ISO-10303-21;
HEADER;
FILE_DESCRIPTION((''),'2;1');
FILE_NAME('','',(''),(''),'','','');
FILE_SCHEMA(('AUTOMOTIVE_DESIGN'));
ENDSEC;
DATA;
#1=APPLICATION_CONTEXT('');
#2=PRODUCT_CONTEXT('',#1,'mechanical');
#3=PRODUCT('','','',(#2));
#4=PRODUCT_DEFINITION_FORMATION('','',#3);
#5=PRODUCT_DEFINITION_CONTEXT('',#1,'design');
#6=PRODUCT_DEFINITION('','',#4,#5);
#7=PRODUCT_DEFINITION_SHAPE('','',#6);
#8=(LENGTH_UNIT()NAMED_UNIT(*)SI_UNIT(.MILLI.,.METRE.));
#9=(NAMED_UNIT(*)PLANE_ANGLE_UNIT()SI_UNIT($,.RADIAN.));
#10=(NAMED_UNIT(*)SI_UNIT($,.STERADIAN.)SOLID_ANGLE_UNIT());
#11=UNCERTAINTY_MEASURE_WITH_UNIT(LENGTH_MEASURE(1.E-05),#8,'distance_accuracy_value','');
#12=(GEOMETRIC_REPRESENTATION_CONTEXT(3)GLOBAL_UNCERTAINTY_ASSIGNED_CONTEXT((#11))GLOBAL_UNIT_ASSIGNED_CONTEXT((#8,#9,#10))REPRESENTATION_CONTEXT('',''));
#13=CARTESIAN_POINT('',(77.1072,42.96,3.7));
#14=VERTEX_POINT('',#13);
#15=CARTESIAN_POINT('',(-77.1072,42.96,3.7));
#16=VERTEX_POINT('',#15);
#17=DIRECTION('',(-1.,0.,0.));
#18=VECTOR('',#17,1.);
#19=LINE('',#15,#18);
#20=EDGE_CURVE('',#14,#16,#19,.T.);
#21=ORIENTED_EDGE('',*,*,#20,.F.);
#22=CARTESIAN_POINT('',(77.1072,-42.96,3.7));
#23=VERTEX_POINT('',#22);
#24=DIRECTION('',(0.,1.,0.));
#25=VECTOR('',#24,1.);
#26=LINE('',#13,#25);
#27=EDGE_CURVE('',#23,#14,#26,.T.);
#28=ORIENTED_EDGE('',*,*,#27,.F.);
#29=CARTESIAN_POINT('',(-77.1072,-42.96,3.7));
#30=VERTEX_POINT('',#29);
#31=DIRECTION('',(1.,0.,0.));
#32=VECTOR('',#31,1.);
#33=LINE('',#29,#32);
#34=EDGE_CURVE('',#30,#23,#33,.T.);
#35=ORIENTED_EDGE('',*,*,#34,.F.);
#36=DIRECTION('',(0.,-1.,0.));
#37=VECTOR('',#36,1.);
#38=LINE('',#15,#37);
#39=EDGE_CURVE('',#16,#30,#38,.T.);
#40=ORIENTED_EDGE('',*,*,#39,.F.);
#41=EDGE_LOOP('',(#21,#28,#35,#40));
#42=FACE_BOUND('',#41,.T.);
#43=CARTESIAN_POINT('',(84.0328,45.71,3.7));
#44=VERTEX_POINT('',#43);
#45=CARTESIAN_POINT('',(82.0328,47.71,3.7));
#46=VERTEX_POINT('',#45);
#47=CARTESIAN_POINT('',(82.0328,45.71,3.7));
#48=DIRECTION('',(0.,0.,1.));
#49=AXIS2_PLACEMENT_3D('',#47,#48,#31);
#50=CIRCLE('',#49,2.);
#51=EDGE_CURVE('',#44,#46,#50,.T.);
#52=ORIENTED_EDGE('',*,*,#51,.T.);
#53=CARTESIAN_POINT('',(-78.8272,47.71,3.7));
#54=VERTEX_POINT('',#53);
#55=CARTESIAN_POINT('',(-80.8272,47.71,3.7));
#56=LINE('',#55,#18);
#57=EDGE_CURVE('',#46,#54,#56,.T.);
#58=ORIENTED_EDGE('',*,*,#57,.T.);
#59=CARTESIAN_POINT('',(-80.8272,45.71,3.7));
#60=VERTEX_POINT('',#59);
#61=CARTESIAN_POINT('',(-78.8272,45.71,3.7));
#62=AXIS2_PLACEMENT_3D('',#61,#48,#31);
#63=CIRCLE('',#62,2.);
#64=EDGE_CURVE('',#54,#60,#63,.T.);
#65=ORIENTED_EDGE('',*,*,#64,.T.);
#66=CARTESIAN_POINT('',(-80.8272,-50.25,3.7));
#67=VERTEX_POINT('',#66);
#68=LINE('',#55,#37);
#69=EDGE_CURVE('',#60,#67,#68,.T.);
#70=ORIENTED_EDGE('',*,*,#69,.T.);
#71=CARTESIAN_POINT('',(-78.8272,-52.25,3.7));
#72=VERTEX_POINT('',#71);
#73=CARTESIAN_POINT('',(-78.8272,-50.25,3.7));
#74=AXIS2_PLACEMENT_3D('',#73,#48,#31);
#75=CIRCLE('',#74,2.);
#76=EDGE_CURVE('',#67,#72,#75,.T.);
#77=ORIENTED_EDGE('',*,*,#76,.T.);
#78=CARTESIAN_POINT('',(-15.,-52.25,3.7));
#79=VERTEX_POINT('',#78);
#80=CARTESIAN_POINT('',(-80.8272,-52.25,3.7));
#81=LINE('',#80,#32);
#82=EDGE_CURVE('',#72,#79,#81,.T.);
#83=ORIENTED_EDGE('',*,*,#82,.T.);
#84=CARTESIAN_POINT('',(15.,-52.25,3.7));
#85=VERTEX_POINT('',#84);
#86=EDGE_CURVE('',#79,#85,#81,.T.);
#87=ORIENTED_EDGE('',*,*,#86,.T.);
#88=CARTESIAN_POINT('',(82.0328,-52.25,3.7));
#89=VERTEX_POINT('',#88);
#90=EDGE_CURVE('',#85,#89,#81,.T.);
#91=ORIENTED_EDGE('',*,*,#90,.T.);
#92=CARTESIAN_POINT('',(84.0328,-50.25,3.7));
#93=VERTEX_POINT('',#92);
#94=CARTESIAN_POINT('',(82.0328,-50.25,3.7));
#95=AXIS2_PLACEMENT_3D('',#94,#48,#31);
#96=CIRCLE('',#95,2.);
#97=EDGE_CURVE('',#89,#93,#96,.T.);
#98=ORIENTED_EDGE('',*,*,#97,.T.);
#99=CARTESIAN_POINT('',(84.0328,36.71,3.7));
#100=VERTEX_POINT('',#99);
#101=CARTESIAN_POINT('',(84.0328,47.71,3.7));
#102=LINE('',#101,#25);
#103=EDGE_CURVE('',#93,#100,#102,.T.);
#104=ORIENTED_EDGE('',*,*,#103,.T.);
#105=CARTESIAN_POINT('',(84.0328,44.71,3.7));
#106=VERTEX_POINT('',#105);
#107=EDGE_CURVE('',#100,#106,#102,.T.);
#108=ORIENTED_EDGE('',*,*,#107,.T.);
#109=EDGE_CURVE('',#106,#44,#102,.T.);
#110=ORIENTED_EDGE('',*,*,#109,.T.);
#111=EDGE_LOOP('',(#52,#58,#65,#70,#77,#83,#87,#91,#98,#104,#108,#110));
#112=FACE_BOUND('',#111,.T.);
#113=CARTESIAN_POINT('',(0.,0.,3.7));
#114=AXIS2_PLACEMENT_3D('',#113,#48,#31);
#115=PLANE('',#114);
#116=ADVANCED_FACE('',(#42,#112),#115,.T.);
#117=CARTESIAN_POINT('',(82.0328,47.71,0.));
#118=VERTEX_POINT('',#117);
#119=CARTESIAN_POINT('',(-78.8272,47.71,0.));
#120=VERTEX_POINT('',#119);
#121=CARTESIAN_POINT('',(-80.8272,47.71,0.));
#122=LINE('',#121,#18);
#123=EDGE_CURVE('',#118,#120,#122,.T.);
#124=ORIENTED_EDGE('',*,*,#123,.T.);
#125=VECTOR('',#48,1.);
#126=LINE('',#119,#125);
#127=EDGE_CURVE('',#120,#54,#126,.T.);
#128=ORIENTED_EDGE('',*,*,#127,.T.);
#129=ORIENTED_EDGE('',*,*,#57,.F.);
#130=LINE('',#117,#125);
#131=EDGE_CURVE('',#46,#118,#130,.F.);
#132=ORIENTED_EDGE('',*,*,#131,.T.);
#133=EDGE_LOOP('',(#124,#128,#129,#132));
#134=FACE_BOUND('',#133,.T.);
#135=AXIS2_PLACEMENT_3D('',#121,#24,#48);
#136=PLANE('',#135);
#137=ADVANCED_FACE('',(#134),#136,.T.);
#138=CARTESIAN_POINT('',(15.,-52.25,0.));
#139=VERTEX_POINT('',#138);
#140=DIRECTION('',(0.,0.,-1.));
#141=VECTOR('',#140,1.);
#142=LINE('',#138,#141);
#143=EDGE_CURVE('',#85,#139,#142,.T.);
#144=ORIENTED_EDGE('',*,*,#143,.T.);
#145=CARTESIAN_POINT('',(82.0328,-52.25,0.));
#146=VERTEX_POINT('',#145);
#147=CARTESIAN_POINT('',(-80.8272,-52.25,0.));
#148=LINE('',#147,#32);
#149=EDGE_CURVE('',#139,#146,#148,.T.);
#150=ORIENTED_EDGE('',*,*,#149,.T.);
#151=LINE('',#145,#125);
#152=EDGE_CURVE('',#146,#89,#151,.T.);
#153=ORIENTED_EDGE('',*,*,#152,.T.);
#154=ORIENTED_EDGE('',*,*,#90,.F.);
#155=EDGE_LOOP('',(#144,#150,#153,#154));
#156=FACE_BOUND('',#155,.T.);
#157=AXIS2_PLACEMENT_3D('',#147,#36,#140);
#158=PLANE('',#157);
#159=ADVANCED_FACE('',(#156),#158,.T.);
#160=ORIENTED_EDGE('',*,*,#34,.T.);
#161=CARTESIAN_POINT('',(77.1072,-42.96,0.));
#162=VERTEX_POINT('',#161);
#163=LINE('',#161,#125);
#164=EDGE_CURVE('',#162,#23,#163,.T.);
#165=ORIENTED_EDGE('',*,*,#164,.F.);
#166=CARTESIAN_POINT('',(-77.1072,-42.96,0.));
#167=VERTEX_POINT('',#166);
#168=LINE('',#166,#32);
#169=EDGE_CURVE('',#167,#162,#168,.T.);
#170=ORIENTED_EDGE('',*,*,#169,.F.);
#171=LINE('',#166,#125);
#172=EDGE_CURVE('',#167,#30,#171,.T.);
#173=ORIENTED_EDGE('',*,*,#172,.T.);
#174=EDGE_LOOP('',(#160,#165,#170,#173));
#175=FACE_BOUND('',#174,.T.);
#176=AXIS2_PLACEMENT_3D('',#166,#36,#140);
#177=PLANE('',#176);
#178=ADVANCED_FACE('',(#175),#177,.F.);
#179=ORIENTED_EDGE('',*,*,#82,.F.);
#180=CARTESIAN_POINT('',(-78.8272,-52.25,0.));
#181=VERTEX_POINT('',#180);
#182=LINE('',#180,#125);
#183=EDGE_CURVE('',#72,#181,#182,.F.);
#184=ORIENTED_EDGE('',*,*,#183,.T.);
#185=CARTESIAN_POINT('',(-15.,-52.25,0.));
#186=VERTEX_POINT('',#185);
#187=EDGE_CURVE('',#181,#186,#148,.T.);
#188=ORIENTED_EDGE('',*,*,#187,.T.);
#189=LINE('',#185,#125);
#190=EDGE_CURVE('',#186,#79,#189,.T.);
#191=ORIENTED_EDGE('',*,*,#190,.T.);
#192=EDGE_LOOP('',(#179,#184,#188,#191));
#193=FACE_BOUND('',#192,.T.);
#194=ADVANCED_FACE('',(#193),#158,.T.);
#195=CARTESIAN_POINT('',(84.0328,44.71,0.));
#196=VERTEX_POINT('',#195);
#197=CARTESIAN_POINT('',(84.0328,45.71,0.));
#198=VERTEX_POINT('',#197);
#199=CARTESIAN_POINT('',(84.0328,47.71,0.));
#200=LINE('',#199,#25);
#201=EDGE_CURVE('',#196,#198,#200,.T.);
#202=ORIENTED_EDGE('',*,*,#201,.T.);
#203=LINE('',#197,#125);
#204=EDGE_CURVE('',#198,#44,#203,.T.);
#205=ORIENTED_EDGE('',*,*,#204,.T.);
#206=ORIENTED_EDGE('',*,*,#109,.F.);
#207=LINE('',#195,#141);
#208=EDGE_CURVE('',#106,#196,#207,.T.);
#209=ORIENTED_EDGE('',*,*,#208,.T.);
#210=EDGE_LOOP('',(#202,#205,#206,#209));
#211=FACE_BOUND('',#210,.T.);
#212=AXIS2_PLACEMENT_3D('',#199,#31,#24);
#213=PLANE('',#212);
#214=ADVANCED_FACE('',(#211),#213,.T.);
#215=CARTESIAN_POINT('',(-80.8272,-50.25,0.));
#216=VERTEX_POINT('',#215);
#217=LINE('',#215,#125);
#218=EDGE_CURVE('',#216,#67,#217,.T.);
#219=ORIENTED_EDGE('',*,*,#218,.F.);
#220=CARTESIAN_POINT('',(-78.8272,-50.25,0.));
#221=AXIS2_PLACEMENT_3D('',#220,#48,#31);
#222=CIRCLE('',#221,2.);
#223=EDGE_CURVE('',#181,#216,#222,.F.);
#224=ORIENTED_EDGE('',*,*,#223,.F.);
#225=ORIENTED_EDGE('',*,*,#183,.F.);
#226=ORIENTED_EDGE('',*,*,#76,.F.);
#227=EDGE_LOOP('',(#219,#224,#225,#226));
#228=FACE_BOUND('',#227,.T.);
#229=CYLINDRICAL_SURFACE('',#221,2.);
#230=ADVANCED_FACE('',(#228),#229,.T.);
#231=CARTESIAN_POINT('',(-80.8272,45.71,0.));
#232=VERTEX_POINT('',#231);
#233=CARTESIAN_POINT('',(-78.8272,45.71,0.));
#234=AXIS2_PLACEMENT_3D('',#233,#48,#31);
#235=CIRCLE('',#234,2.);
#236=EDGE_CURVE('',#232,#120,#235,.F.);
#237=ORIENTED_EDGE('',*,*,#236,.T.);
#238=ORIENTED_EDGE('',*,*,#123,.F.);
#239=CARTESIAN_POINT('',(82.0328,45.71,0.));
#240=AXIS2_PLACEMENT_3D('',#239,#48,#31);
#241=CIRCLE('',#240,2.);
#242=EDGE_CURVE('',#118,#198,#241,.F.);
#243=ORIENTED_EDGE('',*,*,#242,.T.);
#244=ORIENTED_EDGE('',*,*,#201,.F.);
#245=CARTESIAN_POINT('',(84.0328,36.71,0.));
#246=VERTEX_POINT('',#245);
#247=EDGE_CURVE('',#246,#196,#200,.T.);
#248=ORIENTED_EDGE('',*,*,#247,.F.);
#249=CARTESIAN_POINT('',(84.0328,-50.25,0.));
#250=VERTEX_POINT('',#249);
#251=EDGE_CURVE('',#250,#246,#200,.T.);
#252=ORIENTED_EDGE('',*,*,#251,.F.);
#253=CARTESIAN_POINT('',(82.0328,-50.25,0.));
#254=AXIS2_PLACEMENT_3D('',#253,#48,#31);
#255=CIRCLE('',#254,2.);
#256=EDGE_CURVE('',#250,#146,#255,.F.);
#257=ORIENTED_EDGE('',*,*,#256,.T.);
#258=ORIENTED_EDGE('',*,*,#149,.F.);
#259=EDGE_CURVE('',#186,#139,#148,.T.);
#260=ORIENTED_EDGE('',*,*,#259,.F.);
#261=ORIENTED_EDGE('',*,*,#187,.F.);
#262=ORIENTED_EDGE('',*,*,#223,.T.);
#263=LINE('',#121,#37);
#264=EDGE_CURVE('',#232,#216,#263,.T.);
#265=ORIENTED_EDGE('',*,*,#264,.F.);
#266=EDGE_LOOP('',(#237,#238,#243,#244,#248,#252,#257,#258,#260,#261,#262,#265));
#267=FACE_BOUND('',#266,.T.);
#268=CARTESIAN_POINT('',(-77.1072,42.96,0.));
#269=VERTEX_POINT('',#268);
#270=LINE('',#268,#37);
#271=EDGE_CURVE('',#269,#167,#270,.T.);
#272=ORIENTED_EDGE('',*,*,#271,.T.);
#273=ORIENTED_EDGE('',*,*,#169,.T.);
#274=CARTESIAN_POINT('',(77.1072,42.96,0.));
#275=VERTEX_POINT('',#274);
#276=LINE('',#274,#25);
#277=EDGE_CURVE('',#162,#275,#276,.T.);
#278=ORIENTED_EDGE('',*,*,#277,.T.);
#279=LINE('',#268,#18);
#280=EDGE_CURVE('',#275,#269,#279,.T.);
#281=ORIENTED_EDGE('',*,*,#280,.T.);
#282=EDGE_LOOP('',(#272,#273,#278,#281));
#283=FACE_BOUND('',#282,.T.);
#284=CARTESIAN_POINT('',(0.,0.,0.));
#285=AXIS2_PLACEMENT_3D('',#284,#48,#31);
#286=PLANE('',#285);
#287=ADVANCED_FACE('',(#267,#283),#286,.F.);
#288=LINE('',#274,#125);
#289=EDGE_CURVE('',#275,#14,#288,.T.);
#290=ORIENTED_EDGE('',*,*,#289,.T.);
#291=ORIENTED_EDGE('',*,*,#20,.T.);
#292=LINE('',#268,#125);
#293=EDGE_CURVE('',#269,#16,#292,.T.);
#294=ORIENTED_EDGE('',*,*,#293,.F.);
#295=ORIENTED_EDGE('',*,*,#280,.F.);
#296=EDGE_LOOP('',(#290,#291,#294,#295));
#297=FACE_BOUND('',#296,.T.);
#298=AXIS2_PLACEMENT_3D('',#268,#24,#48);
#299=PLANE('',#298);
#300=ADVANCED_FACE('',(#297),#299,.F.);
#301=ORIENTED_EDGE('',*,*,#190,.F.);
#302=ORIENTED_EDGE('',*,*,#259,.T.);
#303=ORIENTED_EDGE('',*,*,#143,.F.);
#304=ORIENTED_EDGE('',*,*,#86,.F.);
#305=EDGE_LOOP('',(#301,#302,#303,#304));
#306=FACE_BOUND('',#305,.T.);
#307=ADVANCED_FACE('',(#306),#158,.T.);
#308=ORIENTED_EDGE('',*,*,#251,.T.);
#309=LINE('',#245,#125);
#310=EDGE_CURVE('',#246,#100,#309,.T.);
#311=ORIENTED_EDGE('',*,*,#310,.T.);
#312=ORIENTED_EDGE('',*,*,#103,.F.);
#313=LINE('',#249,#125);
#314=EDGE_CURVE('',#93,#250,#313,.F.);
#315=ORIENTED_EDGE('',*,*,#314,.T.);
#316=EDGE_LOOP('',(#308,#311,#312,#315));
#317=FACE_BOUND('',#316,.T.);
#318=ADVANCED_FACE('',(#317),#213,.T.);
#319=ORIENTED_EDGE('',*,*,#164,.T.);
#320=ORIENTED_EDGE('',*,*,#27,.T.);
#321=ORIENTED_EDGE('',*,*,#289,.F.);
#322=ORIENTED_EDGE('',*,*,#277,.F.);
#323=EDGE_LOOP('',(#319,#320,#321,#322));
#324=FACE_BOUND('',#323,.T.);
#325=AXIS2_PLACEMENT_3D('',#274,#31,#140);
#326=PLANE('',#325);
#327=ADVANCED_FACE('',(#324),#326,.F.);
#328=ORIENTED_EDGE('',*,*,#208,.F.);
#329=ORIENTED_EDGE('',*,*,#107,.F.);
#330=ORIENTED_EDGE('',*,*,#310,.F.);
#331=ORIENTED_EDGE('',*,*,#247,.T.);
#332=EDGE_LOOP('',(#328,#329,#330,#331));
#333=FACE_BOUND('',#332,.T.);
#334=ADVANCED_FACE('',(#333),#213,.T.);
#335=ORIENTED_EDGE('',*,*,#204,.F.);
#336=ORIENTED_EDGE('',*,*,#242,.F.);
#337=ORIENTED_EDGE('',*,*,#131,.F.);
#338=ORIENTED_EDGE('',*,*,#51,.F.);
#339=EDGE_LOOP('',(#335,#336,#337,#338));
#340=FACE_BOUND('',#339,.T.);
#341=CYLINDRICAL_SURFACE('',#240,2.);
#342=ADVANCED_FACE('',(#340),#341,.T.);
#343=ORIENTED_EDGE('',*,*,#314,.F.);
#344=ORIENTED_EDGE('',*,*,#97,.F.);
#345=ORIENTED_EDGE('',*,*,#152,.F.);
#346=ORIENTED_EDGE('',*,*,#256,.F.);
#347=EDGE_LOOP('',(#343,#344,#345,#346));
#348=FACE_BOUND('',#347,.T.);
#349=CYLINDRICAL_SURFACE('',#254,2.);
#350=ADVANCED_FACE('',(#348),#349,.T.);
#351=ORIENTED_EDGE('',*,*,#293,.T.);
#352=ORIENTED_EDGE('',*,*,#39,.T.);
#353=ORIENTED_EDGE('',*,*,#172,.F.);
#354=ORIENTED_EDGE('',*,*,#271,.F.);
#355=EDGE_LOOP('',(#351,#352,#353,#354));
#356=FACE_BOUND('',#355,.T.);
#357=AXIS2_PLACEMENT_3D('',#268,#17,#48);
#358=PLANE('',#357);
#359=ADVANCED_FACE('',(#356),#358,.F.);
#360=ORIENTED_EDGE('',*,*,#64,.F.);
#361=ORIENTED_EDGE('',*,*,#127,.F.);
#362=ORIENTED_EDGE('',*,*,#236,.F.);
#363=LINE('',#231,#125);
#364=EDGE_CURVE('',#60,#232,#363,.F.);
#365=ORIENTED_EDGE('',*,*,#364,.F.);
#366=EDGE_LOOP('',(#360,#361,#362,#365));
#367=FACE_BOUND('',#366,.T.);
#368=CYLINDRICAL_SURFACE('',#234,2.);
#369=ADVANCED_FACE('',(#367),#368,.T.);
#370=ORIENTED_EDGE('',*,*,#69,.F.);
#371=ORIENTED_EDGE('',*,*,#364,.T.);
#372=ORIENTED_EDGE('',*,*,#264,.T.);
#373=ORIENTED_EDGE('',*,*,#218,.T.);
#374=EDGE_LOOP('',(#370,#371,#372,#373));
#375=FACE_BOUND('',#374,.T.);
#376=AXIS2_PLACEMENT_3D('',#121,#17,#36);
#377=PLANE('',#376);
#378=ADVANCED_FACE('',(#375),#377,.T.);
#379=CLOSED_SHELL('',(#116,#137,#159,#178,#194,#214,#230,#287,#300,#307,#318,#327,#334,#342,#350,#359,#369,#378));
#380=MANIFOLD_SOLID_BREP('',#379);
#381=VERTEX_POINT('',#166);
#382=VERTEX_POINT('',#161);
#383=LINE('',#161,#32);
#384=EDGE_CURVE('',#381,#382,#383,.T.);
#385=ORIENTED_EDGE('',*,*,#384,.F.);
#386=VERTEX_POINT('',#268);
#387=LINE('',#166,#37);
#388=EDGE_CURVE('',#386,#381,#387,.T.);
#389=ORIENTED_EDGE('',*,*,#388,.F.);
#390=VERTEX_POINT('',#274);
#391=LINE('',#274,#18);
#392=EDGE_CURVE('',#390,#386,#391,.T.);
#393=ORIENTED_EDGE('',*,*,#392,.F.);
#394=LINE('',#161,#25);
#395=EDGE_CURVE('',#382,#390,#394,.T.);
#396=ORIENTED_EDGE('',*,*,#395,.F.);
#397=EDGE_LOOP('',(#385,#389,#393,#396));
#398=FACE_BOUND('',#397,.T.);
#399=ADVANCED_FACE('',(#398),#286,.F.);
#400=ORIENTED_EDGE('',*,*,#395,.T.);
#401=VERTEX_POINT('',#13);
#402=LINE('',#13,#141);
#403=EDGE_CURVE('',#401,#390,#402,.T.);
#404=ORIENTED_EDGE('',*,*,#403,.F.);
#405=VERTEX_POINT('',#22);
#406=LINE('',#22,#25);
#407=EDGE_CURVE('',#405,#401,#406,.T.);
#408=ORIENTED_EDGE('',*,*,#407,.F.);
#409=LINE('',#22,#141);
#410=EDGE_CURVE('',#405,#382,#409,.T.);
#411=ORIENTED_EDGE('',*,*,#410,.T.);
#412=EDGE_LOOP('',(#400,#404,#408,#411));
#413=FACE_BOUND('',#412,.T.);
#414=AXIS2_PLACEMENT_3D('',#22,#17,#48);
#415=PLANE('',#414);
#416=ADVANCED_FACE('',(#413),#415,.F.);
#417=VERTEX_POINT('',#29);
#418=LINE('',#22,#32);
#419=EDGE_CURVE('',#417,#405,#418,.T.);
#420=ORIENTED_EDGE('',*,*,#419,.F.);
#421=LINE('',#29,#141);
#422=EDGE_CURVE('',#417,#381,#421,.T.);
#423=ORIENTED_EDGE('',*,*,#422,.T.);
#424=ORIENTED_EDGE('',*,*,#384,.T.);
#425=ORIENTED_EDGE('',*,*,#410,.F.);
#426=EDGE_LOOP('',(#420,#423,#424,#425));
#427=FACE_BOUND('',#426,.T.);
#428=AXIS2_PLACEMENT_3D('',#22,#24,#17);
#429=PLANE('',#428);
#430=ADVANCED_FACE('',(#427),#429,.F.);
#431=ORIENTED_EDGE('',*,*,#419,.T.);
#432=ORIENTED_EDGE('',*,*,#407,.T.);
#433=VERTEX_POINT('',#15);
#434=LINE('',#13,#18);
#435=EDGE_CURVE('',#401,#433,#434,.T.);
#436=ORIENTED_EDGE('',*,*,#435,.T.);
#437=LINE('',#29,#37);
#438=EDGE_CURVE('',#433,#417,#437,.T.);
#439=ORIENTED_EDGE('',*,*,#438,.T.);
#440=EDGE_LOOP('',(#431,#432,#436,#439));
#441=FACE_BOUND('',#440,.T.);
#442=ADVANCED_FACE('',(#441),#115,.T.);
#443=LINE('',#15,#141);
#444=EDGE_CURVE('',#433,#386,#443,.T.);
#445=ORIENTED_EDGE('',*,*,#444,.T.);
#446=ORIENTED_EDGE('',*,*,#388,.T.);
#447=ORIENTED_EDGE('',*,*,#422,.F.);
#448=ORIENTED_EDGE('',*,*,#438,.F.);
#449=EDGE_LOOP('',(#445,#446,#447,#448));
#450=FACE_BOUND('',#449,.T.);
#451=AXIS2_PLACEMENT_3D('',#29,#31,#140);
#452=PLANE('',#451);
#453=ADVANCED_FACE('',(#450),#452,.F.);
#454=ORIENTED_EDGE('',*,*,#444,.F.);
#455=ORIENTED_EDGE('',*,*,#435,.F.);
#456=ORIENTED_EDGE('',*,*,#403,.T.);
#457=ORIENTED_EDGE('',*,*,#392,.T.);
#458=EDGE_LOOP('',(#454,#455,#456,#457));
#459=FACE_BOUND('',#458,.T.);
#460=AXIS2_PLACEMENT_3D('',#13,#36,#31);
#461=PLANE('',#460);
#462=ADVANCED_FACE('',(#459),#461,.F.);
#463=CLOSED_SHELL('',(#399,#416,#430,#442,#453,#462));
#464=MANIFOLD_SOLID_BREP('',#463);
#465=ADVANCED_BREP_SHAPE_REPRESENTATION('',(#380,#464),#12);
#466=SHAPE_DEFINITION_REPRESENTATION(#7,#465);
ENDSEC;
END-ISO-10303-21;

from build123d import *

# Parameters (mm, degrees)
SKETCH1_W           = 154.2144
SKETCH1_H           = 85.92
LCD_AA_DEPTH        = 3.7
SKETCH2_W           = 164.86
SKETCH2_H           = 99.96
SKETCH2_W_2         = 154.2144
SKETCH2_H_2         = 85.92
BOSS_EXTRUDE2_DEPTH = 3.7
FILLET1_R           = 2


with BuildPart() as part:
    # Sketch1 → LCD AA (new body)
    with BuildSketch(Plane.XY):
        Rectangle(SKETCH1_W, SKETCH1_H)
    extrude(amount=LCD_AA_DEPTH)


with BuildPart() as body_2:
    # Sketch2 → Boss-Extrude2 (new, through all)
    with BuildSketch(Plane.XY.offset(3.7)):
        with Locations((1.6028, -2.27)):
            Rectangle(SKETCH2_W, SKETCH2_H)
        Rectangle(SKETCH2_W_2, SKETCH2_H_2, mode=Mode.SUBTRACT)
    extrude(amount=-BOSS_EXTRUDE2_DEPTH)

    # Fillet1
    fillet1_edges = [body_2.edges().sort_by_distance(p)[0] for p in [
        (-80.8272, 47.71, 1.85),
        (84.0328, 47.71, 1.85),
        (84.0328, -52.25, 1.85),
        (-80.8272, -52.25, 1.85),
    ]]
    fillet(fillet1_edges, radius=FILLET1_R)


solid = Compound([part.part, body_2.part])
